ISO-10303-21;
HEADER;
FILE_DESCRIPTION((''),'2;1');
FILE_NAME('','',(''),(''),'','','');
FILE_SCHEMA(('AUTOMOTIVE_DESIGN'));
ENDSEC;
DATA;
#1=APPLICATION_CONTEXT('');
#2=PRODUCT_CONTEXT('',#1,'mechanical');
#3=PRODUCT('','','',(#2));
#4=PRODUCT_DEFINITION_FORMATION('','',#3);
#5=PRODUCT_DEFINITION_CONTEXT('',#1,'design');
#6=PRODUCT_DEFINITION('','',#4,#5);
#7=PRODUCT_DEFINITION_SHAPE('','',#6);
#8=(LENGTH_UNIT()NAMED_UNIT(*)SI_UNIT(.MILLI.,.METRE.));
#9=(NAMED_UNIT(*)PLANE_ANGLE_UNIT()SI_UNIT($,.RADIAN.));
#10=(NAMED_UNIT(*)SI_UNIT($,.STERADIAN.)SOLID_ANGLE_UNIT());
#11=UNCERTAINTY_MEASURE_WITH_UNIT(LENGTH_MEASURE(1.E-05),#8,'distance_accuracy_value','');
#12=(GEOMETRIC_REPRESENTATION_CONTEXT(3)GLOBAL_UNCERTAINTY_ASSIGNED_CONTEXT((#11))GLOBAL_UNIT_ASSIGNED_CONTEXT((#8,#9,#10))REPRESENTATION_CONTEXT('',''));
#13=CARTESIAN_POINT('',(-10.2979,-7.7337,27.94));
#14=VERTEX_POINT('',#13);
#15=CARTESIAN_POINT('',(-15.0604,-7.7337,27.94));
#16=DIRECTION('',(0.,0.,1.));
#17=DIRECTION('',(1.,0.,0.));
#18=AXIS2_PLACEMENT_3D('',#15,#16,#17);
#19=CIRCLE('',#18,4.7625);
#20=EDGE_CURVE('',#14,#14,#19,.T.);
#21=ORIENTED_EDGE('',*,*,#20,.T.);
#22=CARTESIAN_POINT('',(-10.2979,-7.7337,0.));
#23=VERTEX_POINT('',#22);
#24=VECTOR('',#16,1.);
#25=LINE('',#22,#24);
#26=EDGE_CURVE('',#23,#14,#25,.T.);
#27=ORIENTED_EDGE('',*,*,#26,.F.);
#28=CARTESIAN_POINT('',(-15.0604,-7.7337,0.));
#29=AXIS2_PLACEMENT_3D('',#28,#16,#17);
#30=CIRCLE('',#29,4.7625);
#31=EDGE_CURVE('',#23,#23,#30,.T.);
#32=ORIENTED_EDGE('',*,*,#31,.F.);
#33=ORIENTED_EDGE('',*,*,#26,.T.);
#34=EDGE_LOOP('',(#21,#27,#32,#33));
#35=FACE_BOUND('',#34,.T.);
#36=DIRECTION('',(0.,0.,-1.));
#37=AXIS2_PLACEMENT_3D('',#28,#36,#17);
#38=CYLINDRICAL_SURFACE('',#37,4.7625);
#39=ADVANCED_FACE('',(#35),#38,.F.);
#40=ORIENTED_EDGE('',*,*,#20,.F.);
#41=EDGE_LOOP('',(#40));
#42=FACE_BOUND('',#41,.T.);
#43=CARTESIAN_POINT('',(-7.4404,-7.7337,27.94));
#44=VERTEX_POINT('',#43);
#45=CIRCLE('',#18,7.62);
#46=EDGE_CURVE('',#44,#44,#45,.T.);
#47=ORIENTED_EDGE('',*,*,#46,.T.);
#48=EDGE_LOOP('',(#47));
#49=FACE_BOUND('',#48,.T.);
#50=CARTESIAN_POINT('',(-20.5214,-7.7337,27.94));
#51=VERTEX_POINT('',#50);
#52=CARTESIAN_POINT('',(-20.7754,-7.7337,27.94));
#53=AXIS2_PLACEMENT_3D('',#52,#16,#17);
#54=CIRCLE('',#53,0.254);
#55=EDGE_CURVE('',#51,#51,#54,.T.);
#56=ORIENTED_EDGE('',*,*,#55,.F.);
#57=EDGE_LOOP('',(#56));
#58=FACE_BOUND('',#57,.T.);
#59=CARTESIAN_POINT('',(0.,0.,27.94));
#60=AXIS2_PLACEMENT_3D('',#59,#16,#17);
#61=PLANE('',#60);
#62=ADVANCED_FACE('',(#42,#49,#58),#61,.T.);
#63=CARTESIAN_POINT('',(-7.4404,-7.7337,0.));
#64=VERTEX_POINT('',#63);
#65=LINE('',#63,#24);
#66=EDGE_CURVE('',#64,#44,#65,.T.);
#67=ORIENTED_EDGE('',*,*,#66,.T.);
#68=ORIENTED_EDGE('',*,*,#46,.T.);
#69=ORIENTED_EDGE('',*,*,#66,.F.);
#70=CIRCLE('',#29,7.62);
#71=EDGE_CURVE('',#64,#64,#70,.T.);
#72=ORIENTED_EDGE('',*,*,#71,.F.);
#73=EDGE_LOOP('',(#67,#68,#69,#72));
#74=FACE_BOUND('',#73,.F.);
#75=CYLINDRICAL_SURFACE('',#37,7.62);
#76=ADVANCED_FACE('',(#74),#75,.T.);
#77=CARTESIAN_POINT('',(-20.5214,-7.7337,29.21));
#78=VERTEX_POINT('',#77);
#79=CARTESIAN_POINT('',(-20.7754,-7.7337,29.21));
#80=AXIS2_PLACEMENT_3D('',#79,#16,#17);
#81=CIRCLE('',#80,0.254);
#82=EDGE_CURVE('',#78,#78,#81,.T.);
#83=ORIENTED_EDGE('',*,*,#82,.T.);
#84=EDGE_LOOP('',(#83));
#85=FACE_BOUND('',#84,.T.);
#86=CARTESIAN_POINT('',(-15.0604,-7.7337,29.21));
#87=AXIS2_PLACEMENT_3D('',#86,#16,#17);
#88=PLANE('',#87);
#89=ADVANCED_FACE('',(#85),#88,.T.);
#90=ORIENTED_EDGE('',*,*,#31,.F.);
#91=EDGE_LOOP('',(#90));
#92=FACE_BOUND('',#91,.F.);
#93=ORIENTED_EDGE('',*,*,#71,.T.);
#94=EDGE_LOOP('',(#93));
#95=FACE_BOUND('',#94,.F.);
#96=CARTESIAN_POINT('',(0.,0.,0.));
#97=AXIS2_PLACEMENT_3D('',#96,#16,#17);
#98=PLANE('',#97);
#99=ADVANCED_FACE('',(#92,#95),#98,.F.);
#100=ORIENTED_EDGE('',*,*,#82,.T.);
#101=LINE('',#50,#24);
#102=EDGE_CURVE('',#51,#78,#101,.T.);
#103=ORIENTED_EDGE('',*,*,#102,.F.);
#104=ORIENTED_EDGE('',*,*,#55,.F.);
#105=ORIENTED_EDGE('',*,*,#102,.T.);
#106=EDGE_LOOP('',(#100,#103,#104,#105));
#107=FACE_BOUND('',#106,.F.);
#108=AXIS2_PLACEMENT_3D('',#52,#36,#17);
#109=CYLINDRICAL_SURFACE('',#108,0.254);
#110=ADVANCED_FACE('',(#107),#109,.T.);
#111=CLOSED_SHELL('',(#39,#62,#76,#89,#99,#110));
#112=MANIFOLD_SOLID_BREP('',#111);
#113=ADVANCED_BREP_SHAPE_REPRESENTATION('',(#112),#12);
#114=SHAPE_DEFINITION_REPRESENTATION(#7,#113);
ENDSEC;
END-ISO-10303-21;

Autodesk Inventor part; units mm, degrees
ref_plane "YZ Plane" through (0, 0, 0) normal (1, 0, 0) x (0, 1, 0)
ref_plane "XZ Plane" through (0, 0, 0) normal (0, 1, 0) x (-1, 0, 0)
ref_plane "XY Plane" through (0, 0, 0) normal (0, 0, 1) x (1, 0, 0)
sketch "Sketch1" plane through (0, 0, 0) normal (0, 0, 1) x (1, 0, 0)
  circle A0 centre (-15.0604, -7.7337) radius 4.7625
  circle A1 centre (-15.0604, -7.7337) radius 7.62
  dimension "d0" = 15.24
  dimension "d1" = 9.525
extrude "Extrusion1" add sketch "Sketch1" along normal blind 27.94
sketch "Sketch2" plane through (-15.0604, -7.7337, 27.94) normal (0, 0, 1) x (1, 0, 0)
  circle A0 centre (0, 0) radius 4.7625 projected
  circle A1 centre (-5.715, 0) radius 0.254
  dimension "d4" = 5.715
  dimension "d5" = 0.508
extrude "Extrusion2" add sketch "Sketch2" along normal blind 1.27 contours A1
properties part number "coilwire"
